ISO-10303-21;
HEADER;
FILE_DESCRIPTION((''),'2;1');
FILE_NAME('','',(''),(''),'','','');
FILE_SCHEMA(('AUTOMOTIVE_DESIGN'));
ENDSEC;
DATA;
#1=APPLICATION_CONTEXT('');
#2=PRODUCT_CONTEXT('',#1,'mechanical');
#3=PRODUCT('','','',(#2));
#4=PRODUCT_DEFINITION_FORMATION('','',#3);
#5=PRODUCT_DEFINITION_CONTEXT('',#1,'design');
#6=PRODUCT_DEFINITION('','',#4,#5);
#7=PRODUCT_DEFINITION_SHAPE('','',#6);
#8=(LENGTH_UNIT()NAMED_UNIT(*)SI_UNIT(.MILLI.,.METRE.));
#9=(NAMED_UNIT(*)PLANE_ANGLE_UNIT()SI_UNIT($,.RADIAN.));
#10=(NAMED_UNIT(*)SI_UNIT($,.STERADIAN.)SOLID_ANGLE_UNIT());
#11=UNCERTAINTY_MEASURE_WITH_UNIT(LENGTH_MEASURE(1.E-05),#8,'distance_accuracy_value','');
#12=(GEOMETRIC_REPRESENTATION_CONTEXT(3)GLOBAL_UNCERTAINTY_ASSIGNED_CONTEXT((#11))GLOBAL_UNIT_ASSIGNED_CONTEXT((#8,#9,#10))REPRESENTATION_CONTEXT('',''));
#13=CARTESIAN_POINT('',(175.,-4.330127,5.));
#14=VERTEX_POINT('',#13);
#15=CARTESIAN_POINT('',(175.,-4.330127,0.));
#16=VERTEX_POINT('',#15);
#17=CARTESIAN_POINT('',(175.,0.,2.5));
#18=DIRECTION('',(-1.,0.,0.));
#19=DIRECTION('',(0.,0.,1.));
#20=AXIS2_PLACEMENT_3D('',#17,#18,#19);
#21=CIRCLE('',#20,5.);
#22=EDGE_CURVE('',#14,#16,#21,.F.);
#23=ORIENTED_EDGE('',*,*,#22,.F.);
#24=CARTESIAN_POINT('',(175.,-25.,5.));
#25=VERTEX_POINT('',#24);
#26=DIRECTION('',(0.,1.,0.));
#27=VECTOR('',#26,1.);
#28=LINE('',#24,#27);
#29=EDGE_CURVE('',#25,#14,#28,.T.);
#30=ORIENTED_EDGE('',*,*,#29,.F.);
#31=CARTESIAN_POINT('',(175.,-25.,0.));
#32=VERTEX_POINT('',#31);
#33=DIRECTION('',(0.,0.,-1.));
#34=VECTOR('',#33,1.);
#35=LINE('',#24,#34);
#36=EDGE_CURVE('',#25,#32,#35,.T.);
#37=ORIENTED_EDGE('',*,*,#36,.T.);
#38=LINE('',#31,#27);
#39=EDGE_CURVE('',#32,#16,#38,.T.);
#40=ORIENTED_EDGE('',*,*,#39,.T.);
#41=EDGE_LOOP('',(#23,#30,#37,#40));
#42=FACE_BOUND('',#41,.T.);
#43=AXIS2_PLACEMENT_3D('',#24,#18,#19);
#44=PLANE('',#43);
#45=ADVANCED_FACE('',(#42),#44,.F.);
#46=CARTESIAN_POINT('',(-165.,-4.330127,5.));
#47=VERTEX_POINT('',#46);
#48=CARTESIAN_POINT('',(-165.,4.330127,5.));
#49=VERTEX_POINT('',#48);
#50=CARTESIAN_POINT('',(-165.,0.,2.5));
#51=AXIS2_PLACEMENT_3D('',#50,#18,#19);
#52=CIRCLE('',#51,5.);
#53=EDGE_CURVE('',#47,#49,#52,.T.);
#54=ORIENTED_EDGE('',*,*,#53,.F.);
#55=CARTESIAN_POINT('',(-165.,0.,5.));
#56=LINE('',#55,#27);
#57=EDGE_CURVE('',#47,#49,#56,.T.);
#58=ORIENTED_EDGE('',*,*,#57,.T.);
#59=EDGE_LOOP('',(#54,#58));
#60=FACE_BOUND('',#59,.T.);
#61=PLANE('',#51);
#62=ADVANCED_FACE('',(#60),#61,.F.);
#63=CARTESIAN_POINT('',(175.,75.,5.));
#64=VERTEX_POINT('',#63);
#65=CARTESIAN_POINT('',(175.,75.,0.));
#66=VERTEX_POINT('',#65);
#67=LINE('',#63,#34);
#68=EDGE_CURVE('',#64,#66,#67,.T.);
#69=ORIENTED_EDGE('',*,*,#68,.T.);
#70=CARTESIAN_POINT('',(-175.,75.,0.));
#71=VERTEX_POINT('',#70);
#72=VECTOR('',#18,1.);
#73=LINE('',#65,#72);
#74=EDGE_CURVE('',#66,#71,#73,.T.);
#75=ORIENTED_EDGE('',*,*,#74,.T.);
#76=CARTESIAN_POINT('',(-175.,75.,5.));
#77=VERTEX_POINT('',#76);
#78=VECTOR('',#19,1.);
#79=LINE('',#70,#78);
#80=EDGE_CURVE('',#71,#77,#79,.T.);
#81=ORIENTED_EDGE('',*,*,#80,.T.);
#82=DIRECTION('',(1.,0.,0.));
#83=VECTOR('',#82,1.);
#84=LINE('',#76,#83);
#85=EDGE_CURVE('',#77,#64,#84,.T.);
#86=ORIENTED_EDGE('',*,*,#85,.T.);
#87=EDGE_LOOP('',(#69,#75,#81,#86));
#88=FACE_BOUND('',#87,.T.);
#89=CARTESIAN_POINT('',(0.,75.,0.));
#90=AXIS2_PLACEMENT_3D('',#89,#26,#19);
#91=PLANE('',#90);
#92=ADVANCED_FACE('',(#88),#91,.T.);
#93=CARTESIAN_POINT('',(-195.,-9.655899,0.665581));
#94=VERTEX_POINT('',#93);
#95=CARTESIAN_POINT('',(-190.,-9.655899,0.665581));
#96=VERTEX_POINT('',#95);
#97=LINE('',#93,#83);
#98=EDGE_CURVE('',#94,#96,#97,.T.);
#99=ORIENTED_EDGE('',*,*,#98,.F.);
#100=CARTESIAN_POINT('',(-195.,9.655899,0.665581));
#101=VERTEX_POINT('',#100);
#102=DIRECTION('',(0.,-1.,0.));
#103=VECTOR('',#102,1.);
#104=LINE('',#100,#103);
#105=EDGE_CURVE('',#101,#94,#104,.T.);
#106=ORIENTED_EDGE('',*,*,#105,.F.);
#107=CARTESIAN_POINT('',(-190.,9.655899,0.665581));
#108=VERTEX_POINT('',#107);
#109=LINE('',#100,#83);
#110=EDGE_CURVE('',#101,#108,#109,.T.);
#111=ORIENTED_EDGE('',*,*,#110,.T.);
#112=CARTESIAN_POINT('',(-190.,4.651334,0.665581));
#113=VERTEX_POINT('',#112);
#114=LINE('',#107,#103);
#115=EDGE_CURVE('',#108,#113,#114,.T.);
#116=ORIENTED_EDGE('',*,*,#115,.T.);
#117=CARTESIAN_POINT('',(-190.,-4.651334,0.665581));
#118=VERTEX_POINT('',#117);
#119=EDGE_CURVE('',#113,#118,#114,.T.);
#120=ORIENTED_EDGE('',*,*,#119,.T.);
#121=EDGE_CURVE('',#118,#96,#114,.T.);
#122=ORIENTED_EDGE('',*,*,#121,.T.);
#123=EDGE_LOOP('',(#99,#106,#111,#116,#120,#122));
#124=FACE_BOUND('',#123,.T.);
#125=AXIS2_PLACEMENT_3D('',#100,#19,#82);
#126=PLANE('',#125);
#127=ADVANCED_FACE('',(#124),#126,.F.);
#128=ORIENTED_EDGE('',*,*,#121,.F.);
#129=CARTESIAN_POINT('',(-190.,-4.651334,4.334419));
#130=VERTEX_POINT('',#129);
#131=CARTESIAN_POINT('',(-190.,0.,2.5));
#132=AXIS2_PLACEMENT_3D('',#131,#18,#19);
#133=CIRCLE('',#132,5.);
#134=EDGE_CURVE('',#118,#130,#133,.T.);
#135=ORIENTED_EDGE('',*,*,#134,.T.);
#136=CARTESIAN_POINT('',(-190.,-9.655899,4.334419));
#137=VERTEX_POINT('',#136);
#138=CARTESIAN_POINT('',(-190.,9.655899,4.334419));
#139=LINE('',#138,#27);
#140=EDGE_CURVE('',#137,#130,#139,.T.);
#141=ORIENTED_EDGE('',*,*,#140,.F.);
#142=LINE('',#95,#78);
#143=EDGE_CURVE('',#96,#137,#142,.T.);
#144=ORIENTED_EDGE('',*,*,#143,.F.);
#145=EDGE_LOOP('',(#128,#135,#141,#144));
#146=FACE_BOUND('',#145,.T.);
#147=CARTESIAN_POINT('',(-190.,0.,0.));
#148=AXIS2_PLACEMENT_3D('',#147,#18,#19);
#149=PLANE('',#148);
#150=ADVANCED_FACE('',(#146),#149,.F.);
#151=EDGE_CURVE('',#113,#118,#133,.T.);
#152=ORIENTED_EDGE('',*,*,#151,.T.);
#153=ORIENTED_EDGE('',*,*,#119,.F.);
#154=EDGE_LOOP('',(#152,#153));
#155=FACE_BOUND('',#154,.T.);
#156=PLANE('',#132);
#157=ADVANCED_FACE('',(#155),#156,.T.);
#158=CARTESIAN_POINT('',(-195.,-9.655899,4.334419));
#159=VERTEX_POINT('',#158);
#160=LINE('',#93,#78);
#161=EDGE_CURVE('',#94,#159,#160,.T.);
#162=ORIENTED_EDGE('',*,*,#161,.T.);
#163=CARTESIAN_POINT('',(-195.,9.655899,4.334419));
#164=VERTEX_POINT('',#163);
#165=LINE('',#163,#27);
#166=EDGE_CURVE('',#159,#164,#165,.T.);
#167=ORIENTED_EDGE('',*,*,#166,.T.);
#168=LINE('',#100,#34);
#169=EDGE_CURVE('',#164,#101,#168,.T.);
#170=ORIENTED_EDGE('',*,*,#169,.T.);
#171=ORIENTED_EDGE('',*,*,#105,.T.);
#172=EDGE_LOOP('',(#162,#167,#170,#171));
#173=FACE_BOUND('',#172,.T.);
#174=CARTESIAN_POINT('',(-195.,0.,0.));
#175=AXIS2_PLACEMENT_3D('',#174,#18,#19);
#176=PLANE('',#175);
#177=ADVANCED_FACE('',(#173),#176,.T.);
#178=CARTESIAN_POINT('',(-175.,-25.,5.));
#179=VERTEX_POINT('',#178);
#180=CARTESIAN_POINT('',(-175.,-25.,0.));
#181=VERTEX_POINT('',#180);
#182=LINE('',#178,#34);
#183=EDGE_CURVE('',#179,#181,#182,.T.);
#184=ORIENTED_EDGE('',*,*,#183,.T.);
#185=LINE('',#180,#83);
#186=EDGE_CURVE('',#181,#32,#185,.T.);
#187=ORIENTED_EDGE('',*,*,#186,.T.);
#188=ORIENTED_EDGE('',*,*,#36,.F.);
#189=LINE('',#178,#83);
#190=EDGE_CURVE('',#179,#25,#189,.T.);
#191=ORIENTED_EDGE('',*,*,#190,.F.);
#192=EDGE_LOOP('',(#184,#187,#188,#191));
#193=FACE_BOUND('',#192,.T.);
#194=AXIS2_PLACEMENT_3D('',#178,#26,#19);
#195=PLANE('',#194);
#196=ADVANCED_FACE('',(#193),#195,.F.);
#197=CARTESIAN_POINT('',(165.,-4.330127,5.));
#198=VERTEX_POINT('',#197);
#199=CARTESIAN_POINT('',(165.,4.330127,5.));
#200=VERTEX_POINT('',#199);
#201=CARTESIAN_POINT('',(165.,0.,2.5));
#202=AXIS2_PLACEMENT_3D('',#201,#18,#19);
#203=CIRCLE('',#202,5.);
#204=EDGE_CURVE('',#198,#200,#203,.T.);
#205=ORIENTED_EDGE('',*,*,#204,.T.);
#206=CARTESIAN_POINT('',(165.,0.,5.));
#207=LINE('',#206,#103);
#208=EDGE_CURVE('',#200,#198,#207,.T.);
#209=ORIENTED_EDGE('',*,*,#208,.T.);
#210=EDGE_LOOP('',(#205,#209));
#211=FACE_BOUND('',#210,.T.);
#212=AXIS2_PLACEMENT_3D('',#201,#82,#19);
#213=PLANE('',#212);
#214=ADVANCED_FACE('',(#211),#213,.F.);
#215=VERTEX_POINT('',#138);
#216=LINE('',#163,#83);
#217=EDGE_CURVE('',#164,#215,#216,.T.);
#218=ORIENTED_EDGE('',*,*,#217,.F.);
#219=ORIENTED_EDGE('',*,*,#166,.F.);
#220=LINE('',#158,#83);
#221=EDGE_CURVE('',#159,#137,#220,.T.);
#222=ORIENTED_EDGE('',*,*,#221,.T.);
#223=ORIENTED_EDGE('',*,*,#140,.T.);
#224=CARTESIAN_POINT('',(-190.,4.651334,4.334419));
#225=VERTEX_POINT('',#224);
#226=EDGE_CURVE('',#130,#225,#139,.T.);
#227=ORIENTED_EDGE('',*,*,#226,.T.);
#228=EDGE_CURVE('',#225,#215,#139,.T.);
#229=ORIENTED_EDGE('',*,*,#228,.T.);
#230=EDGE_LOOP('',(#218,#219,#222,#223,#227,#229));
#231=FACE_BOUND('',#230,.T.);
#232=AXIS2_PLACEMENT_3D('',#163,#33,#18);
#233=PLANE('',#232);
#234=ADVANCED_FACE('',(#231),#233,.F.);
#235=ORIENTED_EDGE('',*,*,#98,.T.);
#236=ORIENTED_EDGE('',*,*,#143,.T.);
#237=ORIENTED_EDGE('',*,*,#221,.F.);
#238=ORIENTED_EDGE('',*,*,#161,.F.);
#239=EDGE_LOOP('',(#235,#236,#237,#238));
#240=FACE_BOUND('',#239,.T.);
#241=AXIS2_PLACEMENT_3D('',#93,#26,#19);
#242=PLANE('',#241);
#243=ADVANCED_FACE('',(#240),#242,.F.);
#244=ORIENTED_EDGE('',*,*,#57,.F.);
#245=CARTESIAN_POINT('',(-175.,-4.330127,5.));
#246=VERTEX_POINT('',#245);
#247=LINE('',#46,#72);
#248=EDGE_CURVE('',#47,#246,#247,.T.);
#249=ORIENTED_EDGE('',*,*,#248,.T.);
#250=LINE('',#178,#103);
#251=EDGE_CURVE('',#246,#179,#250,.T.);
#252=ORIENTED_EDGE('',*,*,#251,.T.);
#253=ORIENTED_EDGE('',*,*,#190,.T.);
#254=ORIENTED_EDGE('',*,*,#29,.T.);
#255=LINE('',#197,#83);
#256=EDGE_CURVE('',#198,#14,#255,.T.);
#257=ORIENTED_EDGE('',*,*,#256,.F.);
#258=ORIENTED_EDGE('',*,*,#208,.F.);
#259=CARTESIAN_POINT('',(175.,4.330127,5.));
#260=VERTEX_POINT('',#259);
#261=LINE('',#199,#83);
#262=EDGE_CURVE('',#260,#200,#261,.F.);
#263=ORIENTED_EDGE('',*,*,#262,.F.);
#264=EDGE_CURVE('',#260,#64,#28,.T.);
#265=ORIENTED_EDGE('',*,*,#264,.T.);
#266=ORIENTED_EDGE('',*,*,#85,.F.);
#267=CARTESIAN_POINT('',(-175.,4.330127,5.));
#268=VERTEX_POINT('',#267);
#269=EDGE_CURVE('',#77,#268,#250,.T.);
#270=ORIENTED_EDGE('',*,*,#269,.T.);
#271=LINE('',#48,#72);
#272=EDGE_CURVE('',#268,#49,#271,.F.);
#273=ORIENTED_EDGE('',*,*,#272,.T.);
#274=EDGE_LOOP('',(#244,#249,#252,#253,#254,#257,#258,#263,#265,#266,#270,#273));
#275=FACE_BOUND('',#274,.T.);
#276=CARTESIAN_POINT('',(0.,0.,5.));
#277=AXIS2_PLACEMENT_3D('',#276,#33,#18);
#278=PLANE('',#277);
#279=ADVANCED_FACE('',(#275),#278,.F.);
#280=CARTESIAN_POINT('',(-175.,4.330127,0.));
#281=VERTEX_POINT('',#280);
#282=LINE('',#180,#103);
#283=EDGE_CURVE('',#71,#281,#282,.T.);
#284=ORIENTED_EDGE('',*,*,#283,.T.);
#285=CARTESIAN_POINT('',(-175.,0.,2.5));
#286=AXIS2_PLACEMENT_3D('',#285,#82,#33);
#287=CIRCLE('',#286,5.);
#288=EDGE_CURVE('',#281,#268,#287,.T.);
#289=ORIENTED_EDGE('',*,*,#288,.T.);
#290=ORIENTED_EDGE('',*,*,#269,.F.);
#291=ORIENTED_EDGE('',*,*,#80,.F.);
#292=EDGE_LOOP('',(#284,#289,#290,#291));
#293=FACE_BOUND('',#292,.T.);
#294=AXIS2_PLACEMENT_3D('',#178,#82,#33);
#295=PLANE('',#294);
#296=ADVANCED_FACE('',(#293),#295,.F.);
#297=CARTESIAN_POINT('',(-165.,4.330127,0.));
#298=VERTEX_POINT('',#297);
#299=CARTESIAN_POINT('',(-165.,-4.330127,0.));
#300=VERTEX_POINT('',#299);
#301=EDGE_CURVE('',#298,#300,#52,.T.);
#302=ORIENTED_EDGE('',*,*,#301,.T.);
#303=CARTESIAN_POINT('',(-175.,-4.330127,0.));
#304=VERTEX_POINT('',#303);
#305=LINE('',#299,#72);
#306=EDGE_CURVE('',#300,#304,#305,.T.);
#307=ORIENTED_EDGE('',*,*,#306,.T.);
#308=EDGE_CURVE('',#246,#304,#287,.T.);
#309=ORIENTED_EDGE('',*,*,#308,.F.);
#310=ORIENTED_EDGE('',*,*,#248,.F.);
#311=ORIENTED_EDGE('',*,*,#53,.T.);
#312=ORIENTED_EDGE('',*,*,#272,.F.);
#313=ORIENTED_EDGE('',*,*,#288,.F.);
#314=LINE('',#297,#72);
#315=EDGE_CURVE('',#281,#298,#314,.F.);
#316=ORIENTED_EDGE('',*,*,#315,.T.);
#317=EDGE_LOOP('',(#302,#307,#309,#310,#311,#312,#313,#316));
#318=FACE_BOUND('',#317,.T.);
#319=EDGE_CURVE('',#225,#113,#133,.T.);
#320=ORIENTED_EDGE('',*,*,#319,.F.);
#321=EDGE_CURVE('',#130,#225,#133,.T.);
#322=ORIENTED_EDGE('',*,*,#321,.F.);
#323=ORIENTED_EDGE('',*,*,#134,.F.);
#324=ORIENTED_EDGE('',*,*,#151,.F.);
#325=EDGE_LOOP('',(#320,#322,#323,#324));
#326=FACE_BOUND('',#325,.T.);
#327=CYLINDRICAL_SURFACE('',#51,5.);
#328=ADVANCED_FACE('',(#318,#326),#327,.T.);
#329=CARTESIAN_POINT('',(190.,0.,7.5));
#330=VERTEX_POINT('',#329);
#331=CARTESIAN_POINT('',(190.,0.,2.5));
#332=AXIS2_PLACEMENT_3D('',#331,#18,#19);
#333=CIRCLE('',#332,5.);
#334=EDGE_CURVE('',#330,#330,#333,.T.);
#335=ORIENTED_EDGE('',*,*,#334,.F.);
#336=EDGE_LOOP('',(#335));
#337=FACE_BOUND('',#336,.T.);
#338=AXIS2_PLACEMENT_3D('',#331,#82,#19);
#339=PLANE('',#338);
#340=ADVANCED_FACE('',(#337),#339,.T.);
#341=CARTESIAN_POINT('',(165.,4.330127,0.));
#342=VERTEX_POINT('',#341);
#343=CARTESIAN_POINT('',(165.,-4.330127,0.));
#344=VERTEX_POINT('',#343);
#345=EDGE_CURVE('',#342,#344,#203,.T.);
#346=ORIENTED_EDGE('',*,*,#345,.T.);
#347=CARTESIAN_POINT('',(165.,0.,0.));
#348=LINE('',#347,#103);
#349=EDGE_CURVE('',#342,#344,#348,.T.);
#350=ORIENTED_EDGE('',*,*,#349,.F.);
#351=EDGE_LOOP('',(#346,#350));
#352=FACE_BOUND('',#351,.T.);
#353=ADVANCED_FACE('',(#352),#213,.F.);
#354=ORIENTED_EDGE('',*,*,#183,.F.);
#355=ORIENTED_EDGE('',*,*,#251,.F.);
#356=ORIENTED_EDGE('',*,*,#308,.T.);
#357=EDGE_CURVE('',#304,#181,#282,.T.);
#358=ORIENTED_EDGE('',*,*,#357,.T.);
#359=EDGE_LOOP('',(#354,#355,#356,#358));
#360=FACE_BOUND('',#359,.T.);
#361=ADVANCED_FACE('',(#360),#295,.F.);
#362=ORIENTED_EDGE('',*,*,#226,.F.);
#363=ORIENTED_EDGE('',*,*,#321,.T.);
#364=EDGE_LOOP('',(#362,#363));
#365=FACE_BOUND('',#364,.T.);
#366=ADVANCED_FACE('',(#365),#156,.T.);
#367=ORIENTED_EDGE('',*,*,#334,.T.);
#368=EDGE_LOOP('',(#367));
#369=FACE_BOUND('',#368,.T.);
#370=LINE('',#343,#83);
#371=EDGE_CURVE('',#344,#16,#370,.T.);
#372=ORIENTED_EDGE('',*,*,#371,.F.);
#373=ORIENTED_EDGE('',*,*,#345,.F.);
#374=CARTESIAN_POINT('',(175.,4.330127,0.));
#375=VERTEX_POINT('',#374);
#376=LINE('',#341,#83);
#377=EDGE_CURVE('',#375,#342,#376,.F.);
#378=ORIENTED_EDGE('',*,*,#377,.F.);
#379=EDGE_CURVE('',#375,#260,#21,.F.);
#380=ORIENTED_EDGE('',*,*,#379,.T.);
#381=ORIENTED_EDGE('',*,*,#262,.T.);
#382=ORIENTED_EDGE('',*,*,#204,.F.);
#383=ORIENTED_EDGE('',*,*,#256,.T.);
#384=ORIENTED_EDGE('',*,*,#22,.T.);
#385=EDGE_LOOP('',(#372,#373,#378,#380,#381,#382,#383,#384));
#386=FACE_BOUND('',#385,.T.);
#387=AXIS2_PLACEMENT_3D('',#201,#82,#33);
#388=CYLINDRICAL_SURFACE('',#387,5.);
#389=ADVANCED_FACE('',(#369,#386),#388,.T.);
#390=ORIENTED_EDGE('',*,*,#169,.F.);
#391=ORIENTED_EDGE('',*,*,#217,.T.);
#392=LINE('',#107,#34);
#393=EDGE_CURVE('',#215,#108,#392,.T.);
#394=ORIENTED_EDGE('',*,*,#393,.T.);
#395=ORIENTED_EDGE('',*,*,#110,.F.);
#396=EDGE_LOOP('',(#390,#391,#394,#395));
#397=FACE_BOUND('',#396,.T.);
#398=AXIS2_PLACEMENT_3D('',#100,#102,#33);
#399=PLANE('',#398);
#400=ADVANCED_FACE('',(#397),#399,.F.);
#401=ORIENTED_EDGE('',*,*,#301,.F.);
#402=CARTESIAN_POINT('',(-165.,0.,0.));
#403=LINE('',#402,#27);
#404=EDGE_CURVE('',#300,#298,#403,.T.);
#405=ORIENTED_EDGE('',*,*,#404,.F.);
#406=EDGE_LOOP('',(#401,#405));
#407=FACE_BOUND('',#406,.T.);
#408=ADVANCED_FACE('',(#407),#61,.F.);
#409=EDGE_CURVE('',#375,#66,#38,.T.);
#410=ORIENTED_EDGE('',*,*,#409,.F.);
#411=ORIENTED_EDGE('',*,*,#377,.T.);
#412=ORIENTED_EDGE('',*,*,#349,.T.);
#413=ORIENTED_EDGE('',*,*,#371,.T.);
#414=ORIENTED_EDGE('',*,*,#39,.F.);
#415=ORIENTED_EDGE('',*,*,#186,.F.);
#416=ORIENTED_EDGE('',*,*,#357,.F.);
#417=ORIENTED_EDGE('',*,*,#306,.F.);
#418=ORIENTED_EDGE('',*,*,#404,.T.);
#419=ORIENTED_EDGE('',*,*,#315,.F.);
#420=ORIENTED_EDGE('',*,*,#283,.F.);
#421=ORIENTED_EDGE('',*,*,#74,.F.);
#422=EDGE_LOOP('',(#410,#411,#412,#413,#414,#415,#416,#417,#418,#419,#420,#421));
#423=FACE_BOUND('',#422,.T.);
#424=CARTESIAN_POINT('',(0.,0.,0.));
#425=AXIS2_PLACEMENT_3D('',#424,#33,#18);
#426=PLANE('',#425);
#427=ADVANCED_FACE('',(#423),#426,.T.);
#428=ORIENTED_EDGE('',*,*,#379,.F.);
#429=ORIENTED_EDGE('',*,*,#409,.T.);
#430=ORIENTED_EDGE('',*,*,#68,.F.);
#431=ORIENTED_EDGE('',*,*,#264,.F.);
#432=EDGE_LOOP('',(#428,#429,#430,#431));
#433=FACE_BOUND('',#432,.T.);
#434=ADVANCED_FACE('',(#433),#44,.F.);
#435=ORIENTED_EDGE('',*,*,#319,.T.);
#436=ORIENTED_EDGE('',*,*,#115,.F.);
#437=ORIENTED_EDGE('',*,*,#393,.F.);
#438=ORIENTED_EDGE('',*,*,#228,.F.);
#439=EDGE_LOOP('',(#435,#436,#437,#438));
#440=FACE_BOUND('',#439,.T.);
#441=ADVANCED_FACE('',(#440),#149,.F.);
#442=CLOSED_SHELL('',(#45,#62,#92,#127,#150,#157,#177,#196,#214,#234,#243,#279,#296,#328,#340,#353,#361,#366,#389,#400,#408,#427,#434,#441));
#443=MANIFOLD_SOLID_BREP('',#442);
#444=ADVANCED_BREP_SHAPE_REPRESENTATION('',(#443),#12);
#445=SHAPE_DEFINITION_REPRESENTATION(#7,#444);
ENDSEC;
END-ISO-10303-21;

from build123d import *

# Parameters (mm, degrees)
SKETCH1_W           = 350
SKETCH1_H           = 50
BOSS_EXTRUDE1_DEPTH = 5
BOSS_EXTRUDE2_START = -10
SKETCH2_R           = 5
BOSS_EXTRUDE2_DEPTH = 25
SKETCH4_W           = 350
SKETCH4_H           = 5
BOSS_EXTRUDE4_DEPTH = 50
SKETCH5_W           = 3.668837662
SKETCH5_H           = 19.311798598
BOSS_EXTRUDE5_DEPTH = 5


with BuildPart() as part:
    # Sketch1 → Boss-Extrude1 (new body)
    with BuildSketch(Plane.XY):
        Rectangle(SKETCH1_W, SKETCH1_H)
    extrude(amount=BOSS_EXTRUDE1_DEPTH)

    # Sketch2 → Boss-Extrude2 (add)
    with BuildSketch(Plane.ZY.offset(175).offset(BOSS_EXTRUDE2_START)):
        with Locations((2.5, 0)):
            Circle(SKETCH2_R)
    boss_extrude2 = extrude(amount=BOSS_EXTRUDE2_DEPTH)

    # Mirror1: Boss-Extrude2 across plane
    add(boss_extrude2.mirror(Plane(origin=(0, 0, 0), x_dir=(0, 0, 1), z_dir=(1, 0, 0))))

    # Sketch4 → Boss-Extrude4 (add)
    with BuildSketch(Plane(origin=(0, 25, 0), x_dir=(1, 0, 0), z_dir=(0, 1, 0))):
        with Locations((0, -2.5)):
            Rectangle(SKETCH4_W, SKETCH4_H)
    extrude(amount=BOSS_EXTRUDE4_DEPTH)

    # Sketch5 → Boss-Extrude5 (add)
    with BuildSketch(Plane.ZY.offset(190)):
        with Locations((2.5, 0)):
            Rectangle(SKETCH5_W, SKETCH5_H)
    extrude(amount=BOSS_EXTRUDE5_DEPTH)


solid = part.part
